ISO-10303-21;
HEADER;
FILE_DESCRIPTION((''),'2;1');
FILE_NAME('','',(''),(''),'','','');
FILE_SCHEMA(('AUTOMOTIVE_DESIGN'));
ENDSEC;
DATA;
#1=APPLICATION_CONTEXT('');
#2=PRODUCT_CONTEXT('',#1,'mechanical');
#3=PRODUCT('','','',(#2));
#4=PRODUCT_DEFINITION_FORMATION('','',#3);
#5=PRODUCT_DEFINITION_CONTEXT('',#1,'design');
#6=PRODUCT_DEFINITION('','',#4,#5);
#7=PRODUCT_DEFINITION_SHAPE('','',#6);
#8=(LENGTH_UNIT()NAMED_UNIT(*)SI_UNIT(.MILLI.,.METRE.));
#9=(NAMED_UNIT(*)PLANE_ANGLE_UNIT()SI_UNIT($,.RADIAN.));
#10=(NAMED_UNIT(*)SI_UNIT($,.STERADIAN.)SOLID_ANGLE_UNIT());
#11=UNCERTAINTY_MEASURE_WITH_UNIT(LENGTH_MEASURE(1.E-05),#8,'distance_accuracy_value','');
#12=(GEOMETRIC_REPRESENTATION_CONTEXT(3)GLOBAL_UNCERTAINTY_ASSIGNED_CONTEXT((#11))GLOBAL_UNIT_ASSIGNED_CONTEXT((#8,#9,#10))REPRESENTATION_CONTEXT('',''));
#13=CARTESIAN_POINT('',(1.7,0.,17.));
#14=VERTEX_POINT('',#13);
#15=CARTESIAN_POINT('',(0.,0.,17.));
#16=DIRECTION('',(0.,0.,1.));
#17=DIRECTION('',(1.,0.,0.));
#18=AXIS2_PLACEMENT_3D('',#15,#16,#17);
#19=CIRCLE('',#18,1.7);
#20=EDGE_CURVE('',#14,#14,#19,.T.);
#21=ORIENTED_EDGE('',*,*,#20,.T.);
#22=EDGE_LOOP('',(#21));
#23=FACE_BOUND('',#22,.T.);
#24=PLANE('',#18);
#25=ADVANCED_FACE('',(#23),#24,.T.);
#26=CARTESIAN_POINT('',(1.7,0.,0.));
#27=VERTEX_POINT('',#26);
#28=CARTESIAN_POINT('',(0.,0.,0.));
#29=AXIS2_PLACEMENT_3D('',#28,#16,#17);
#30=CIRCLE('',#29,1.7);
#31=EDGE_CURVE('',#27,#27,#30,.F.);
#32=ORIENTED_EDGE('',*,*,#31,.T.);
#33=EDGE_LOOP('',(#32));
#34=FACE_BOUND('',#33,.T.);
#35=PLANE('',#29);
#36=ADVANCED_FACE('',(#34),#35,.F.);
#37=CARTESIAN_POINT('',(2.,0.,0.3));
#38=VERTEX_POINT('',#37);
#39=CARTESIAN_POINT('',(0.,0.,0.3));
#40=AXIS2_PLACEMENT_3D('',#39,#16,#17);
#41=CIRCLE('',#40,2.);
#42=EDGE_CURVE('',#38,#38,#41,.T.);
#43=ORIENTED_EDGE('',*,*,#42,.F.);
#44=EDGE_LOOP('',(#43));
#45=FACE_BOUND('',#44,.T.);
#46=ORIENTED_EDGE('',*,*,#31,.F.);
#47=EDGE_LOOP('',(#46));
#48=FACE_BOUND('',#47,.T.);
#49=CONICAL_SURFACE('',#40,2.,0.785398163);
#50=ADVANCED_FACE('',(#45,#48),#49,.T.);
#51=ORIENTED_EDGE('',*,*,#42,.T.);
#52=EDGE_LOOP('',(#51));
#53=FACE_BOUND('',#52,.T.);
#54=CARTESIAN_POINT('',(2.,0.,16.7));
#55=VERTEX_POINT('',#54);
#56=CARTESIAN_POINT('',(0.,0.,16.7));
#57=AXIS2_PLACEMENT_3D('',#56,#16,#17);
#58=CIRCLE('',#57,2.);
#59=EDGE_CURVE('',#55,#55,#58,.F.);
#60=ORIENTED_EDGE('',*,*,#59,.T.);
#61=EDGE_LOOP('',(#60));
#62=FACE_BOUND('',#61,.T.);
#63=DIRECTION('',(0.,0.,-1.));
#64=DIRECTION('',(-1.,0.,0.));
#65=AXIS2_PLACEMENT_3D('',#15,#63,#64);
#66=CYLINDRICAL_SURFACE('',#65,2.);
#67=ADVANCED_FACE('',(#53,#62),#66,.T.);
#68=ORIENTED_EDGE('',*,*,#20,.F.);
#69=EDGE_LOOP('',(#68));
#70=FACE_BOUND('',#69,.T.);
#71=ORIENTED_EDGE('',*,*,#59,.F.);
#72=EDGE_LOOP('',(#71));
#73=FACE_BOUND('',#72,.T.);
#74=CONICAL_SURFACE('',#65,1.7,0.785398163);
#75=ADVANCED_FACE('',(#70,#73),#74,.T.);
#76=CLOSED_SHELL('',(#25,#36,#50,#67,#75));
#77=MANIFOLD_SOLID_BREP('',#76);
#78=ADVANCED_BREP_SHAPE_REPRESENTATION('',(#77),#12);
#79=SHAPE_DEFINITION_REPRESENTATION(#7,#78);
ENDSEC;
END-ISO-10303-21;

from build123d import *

# Parameters (mm, degrees)
SKETCH1_R           = 2
BOSS_EXTRUDE1_DEPTH = 17
CHAMFER1_SIZE       = 0.3


with BuildPart() as part:
    # Sketch1 → Boss-Extrude1 (new body)
    with BuildSketch(Plane.XY):
        Circle(SKETCH1_R)
    extrude(amount=BOSS_EXTRUDE1_DEPTH)

    # Chamfer1
    chamfer1_edges = [part.edges().sort_by_distance(p)[0] for p in [
        (-2, 0, 0),
        (-2, 0, 17),
    ]]
    chamfer(chamfer1_edges, length=CHAMFER1_SIZE)


solid = part.part
